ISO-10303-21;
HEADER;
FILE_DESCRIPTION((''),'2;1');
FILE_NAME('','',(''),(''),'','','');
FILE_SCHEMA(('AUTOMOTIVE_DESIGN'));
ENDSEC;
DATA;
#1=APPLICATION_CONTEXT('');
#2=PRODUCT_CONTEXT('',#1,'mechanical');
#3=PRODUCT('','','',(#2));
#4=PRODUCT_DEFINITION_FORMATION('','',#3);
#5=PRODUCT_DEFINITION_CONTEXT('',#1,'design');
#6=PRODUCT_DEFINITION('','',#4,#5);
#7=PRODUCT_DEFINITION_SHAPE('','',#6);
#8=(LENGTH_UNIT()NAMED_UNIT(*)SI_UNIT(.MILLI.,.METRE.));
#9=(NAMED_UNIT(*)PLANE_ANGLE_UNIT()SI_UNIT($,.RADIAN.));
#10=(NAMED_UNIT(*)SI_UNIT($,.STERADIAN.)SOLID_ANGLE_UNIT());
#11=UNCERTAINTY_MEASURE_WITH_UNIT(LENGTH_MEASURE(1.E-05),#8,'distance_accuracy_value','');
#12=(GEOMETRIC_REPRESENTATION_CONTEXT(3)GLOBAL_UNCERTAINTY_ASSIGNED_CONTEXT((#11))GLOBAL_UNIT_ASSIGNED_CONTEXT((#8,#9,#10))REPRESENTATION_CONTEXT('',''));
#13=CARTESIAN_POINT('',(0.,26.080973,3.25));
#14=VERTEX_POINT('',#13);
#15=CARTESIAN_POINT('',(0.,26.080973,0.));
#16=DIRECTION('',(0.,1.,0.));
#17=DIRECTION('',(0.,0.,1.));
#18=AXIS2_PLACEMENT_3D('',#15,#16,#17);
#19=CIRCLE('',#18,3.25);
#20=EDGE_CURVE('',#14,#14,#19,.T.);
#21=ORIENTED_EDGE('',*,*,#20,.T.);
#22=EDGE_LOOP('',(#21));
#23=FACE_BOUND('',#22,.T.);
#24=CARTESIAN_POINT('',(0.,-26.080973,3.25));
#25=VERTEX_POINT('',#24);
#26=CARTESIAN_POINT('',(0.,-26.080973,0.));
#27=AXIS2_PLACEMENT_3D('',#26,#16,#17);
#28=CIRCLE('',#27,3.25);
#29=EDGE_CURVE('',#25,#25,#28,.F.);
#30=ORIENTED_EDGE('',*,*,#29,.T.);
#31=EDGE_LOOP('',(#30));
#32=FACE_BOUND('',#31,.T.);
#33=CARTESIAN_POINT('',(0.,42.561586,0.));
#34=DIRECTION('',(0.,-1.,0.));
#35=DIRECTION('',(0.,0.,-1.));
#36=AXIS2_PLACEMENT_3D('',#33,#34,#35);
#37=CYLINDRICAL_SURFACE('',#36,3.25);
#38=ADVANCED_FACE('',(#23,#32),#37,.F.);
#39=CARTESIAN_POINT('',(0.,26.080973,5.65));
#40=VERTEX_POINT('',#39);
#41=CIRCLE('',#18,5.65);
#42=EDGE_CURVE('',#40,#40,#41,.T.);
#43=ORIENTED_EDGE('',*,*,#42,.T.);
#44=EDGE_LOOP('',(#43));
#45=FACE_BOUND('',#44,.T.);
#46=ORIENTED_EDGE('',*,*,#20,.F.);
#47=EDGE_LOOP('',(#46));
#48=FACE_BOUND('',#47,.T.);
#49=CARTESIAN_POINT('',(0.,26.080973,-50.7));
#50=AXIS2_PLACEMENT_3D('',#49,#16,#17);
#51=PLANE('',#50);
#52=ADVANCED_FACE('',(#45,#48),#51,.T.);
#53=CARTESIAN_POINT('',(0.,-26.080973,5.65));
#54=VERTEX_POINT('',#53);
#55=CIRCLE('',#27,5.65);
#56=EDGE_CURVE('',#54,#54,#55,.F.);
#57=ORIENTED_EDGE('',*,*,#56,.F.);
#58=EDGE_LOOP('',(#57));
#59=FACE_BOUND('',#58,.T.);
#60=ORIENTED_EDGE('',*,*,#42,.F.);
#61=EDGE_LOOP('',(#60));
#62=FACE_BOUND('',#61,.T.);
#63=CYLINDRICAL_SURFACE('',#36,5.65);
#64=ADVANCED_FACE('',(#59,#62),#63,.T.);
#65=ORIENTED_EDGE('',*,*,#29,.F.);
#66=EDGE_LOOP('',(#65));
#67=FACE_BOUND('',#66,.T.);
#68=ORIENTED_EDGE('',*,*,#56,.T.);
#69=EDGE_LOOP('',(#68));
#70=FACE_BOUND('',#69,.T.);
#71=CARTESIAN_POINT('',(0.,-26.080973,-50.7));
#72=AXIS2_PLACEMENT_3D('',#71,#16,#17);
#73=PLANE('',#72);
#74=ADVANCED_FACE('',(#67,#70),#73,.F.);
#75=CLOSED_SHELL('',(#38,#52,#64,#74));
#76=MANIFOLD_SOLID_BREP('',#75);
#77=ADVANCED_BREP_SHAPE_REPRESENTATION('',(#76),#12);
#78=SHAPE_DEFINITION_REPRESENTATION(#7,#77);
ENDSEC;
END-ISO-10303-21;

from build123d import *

# Parameters (mm, degrees)
BOSS_EXTRUDE1_DEPTH      = 26.080973
BOSS_EXTRUDE1_DEPTH_BACK = 26.080973
SKETCH1_R                = 5.65
SKETCH1_R_2              = 3.25


with BuildPart() as part:
    # Sketch1 → Boss-Extrude1 (new, two sides: drawn at the far end of the back side and taken through both)
    with BuildSketch(Plane(origin=(0, 0, 0), x_dir=(1, 0, 0), z_dir=(0, 1, 0)).offset(-BOSS_EXTRUDE1_DEPTH_BACK)):
        with Locations(Location((0, 0, 0), (0, 0, 270))):
            Circle(SKETCH1_R)
        with Locations(Location((0, 0, 0), (0, 0, 270))):
            Circle(SKETCH1_R_2, mode=Mode.SUBTRACT)
    extrude(amount=BOSS_EXTRUDE1_DEPTH + BOSS_EXTRUDE1_DEPTH_BACK)


solid = part.part
